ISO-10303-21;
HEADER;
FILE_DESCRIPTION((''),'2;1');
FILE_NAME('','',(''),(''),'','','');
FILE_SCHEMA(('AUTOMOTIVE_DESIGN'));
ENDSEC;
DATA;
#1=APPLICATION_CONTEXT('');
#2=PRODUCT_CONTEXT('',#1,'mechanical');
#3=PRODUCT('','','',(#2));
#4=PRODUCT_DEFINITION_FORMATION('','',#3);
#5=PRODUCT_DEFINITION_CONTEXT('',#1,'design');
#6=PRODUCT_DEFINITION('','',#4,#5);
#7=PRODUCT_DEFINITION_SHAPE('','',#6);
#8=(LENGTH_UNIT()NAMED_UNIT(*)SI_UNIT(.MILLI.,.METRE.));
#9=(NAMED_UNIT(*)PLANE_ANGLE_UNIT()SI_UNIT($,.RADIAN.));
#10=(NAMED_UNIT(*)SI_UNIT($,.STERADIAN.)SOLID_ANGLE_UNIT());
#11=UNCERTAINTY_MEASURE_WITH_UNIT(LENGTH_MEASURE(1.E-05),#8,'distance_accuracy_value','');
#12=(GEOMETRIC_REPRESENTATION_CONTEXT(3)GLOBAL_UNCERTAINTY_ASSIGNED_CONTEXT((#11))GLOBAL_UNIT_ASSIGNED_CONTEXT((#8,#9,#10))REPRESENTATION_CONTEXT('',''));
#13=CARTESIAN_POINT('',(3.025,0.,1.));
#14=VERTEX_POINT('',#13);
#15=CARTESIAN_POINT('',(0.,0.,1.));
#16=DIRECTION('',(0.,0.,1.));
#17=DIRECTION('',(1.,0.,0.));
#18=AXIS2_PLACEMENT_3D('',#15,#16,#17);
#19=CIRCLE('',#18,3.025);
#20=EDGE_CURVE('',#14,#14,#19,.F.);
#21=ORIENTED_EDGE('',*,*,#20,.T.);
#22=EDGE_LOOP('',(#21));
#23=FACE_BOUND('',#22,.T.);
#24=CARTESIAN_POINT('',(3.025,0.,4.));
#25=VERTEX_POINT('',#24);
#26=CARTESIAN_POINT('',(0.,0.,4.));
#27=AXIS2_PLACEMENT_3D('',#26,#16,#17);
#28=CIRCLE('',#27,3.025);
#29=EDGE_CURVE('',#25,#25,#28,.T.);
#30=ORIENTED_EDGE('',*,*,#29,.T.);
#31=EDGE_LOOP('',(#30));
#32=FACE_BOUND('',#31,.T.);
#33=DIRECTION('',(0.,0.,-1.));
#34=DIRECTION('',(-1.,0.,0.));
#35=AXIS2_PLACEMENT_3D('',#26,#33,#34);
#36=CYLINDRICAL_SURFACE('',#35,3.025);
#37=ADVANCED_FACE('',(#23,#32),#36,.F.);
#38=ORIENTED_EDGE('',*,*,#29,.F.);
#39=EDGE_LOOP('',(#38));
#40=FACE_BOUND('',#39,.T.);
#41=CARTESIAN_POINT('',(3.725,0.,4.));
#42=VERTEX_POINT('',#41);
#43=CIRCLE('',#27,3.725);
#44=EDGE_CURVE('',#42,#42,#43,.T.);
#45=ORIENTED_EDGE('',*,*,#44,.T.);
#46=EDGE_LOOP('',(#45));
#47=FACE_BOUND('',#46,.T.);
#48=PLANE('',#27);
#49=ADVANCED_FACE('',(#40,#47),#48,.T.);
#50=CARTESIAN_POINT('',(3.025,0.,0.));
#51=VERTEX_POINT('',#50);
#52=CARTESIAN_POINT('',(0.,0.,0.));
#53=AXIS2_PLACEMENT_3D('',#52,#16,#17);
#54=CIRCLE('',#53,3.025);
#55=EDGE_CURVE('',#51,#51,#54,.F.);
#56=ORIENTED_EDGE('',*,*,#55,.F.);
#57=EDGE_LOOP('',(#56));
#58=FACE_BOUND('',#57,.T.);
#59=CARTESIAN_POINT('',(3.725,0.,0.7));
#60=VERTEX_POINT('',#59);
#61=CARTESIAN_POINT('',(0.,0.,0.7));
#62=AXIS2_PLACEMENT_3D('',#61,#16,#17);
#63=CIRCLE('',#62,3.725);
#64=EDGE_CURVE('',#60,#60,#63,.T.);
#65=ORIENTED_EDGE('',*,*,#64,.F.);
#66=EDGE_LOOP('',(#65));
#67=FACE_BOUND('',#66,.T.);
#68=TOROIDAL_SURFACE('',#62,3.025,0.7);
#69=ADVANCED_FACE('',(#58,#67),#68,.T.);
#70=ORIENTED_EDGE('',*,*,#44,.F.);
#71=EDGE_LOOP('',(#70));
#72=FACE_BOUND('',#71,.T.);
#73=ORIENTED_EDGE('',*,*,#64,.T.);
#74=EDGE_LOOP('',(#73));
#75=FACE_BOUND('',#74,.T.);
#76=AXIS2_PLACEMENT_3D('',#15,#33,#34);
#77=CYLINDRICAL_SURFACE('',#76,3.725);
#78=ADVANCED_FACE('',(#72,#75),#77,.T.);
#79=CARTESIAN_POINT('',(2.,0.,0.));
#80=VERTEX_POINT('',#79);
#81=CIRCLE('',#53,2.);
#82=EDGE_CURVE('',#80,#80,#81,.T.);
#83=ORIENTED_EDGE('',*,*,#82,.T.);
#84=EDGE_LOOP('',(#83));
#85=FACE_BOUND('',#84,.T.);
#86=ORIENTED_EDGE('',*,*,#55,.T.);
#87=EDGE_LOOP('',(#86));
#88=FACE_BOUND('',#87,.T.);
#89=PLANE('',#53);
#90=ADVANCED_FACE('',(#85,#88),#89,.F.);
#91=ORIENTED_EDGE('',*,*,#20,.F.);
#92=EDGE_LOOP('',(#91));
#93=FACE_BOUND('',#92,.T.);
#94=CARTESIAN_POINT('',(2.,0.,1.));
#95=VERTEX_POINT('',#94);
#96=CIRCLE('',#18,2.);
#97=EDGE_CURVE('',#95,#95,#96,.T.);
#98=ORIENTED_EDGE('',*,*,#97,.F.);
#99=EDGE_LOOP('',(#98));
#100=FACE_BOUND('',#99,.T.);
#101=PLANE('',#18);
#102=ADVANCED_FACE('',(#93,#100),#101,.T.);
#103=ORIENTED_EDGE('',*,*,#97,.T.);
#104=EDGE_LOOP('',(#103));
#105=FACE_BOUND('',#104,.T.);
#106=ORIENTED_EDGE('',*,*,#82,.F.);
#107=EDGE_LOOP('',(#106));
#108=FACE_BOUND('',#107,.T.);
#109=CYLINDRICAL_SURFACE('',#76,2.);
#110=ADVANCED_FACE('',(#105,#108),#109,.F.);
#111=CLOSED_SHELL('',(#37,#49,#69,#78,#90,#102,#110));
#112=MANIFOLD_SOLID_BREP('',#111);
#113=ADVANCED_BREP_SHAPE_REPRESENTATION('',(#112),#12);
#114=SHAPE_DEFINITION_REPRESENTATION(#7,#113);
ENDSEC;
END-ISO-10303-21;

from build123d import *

# Parameters (mm, degrees)
SKETCH1_R           = 3.725
SKETCH1_R_2         = 2
BOSS_EXTRUDE1_DEPTH = 1
SKETCH2_R           = 3.725
SKETCH2_R_2         = 3.025
BOSS_EXTRUDE2_DEPTH = 3
FILLET1_R           = 0.7


with BuildPart() as part:
    # Sketch1 → Boss-Extrude1 (new body)
    with BuildSketch(Plane(origin=(0, 0, 0), x_dir=(0, 1, 0), z_dir=(0, 0, 1))):
        with Locations(Location((0, 0, 0), (0, 0, 270))):
            Circle(SKETCH1_R)
        with Locations(Location((0, 0, 0), (0, 0, 270))):
            Circle(SKETCH1_R_2, mode=Mode.SUBTRACT)
    extrude(amount=BOSS_EXTRUDE1_DEPTH)

    # Sketch2 → Boss-Extrude2 (add)
    with BuildSketch(Plane.XY.offset(1)):
        Circle(SKETCH2_R)
        Circle(SKETCH2_R_2, mode=Mode.SUBTRACT)
    extrude(amount=BOSS_EXTRUDE2_DEPTH)

    # Fillet1
    fillet1_edges = [part.edges().sort_by_distance(p)[0] for p in [
        (-3.725, 0, 0),
    ]]
    fillet(fillet1_edges, radius=FILLET1_R)


solid = part.part
